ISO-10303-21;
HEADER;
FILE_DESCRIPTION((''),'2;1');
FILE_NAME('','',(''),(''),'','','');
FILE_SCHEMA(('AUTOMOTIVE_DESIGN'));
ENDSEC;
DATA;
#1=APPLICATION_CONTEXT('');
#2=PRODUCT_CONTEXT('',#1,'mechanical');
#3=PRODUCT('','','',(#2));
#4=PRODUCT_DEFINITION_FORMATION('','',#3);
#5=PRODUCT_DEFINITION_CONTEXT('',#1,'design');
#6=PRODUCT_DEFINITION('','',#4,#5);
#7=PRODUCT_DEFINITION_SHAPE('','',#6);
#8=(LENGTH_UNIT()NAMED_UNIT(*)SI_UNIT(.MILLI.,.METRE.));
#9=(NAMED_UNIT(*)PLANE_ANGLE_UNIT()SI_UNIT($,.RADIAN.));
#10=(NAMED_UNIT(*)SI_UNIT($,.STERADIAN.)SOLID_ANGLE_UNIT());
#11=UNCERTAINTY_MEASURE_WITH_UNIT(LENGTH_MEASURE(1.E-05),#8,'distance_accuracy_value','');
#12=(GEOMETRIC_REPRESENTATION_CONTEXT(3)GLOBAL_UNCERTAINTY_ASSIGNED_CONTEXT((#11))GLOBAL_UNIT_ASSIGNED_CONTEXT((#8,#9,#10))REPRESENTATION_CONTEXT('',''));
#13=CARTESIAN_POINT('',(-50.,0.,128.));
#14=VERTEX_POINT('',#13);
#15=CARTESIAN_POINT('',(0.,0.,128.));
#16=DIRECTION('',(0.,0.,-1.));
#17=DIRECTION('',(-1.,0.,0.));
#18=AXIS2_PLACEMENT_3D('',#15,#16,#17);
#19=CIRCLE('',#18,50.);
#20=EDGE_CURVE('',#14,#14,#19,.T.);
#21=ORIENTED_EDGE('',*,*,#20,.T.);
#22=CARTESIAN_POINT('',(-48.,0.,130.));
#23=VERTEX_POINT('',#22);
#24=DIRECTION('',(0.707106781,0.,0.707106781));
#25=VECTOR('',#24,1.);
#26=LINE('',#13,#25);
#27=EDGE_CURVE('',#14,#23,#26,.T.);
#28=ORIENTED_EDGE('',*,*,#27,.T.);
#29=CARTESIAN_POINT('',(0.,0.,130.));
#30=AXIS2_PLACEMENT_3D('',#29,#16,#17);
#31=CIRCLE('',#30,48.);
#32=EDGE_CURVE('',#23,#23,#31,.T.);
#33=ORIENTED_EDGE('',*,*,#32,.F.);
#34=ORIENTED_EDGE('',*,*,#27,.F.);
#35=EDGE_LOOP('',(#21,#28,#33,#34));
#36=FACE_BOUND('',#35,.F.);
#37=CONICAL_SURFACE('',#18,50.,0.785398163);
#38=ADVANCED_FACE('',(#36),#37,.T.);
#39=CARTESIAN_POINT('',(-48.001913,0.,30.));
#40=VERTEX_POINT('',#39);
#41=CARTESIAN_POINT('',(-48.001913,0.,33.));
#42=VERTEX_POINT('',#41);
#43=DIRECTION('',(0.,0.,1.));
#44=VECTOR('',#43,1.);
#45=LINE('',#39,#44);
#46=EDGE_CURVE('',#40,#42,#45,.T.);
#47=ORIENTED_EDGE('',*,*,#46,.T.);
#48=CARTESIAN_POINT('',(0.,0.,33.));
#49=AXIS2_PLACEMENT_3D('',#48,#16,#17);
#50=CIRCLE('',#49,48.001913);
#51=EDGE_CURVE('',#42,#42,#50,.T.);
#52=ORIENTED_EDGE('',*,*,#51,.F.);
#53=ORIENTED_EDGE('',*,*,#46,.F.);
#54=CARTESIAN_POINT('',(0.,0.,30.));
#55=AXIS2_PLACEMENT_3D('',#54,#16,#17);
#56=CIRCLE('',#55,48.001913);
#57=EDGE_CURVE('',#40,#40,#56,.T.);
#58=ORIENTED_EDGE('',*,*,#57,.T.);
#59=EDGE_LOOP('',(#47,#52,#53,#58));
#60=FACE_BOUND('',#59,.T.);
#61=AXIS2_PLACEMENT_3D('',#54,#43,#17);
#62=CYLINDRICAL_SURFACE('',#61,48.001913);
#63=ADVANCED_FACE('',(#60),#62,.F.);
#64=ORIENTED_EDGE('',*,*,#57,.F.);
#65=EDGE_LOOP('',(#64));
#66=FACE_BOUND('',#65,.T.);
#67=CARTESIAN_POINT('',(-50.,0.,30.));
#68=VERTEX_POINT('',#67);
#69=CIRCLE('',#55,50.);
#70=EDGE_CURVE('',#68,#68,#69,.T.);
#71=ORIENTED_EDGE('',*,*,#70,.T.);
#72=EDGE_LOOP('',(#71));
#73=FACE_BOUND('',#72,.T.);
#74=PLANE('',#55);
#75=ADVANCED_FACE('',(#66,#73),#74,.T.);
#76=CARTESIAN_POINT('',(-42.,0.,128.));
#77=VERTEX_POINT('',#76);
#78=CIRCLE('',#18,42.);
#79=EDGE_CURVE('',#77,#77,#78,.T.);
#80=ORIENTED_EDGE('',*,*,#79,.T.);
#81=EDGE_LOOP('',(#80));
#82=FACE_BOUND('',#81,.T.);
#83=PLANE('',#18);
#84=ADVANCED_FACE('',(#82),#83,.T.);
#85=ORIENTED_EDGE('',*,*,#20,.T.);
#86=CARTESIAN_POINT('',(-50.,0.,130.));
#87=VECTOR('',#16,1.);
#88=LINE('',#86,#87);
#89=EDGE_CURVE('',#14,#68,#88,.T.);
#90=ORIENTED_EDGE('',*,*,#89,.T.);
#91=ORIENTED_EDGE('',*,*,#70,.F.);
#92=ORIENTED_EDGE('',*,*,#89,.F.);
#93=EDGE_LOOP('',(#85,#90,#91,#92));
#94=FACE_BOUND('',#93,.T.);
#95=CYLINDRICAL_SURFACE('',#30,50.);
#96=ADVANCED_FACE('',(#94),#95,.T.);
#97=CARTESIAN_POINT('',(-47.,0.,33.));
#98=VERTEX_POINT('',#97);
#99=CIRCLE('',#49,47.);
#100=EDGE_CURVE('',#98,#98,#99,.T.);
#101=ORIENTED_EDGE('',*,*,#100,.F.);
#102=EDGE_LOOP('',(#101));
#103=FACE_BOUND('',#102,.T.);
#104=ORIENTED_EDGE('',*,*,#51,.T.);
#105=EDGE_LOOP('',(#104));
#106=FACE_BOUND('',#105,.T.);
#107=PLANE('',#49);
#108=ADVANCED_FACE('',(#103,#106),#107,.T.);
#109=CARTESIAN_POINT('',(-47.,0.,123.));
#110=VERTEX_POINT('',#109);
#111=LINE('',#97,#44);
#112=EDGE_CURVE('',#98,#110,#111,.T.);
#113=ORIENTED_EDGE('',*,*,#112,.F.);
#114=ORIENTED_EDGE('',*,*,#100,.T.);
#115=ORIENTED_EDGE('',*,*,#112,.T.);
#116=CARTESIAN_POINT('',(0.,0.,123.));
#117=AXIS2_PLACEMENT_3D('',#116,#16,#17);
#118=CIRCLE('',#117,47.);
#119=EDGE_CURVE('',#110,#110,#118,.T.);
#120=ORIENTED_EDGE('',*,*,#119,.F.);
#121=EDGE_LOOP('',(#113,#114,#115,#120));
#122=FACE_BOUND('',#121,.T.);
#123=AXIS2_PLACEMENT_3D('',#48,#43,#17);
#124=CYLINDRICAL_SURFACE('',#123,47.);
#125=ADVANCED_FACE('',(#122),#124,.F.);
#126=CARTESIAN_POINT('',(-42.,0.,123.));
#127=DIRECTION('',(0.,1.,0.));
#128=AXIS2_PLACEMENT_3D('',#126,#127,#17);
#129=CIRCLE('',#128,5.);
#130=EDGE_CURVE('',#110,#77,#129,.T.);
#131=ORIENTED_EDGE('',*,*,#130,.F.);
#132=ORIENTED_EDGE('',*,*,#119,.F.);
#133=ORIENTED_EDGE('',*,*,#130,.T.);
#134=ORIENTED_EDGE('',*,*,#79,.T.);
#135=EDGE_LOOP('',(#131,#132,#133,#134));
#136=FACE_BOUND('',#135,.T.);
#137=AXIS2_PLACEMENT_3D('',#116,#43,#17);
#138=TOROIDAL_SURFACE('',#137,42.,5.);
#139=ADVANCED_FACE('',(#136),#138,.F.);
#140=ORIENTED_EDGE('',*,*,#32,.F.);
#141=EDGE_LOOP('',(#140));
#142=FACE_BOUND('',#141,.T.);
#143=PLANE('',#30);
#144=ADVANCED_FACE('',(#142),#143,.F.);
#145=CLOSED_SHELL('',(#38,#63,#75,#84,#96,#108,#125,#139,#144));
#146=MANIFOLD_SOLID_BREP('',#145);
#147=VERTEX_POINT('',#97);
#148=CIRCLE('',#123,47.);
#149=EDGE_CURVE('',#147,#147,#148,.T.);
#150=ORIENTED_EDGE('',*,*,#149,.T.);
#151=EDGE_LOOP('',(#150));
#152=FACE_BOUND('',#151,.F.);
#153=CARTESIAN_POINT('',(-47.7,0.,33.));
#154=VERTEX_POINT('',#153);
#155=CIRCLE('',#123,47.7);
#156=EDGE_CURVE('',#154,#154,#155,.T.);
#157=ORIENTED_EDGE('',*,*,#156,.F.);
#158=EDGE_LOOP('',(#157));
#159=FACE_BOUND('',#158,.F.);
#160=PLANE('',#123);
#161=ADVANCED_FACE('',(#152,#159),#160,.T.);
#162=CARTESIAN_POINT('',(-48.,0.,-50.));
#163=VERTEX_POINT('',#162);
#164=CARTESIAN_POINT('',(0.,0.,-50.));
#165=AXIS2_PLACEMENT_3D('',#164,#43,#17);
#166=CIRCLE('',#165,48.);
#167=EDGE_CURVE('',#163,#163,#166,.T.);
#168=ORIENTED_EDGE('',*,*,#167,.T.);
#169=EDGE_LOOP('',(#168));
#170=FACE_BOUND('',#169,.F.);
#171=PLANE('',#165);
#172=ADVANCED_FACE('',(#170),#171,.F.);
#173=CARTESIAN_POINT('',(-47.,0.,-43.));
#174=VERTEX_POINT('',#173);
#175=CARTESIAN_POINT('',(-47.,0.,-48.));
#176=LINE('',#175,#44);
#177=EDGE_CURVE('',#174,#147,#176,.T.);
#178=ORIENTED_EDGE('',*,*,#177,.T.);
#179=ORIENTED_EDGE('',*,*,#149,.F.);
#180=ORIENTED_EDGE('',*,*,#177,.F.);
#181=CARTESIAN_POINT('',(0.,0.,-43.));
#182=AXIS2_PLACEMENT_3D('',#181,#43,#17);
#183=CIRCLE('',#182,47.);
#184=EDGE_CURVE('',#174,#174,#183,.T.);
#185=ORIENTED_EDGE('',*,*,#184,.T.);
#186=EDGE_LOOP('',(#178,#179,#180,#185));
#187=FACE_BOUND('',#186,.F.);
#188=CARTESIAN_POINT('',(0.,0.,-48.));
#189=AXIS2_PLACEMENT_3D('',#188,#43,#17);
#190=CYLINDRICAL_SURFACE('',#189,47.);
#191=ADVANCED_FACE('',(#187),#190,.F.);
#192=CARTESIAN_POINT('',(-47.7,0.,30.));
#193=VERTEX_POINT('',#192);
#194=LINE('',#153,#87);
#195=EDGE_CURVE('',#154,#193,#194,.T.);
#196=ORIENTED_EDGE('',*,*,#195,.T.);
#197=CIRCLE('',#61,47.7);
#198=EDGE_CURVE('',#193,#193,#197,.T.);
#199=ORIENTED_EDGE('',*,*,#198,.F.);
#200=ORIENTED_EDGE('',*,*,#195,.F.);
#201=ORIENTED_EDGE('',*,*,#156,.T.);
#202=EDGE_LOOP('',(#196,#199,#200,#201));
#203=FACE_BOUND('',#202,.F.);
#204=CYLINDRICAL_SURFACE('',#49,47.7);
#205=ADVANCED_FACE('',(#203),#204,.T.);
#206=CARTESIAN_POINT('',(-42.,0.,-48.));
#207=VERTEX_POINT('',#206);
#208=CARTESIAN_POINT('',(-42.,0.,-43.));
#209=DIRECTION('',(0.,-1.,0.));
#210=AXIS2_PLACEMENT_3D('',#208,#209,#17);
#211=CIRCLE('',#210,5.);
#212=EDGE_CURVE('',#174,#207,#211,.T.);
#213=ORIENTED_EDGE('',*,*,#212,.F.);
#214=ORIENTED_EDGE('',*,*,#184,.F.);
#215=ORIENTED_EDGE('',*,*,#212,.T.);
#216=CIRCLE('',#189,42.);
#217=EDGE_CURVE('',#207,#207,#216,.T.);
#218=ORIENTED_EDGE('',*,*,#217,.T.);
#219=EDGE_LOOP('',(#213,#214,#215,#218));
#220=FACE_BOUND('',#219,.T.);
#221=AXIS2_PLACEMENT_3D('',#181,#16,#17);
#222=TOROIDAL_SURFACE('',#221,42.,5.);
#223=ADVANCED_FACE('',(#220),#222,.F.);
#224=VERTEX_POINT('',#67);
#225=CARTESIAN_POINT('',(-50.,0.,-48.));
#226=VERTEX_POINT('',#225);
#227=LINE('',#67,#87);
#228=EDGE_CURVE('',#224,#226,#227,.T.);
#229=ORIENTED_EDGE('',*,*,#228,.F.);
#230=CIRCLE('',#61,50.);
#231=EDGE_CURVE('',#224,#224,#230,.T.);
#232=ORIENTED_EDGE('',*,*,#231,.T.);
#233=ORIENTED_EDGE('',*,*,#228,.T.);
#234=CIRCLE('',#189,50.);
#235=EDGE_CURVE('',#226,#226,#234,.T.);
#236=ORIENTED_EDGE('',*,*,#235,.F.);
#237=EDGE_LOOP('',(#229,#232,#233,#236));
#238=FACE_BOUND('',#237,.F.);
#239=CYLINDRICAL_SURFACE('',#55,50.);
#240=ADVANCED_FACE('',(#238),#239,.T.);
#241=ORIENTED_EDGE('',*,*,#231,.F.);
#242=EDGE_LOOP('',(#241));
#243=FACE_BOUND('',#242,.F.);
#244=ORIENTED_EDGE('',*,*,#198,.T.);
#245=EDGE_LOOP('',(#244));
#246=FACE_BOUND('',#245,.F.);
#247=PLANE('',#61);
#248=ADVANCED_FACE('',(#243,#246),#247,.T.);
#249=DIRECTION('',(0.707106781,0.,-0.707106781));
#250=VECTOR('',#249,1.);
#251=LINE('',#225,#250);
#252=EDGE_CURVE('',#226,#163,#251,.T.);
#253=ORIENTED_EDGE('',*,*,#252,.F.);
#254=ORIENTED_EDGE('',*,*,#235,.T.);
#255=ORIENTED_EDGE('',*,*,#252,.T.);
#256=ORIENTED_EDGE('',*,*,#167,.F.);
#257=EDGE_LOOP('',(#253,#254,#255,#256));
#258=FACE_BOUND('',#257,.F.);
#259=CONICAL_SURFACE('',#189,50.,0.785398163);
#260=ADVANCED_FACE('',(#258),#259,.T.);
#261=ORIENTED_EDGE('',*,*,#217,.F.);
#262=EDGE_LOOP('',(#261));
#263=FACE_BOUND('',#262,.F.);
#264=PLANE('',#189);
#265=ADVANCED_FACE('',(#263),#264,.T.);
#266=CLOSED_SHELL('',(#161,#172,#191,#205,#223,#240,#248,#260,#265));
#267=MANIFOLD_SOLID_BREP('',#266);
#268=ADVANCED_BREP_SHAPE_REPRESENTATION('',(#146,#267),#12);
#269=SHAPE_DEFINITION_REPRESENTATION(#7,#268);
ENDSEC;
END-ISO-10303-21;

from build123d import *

# Parameters (mm, degrees)
F0_W    = 3
F0_H    = 2
F0_W_2  = 47
F4_SIZE = 2
F5_R    = 5
F6_SIZE = 2
F7_R    = 5


with BuildPart() as f1:
    # F0 (on Front) → F1 (revolve)
    with BuildSketch(Plane.XZ):
        with Locations((-48.5, 129)):
            Rectangle(F0_W, F0_H)
        Polygon((-47, 128), (-50, 128), (-50, 30), (-48.001913, 30), (-48.001913, 33), (-47, 33), align=None)
        with Locations((-23.5, 129)):
            Rectangle(F0_W_2, F0_H)
    revolve(axis=Axis((0, 0, 129), (0, 0, -1)))

    # F6
    f6_edges = [f1.edges().sort_by_distance(p)[0] for p in [
        (50, 0, 130),
    ]]
    chamfer(f6_edges, length=F6_SIZE)

    # F7
    f7_edges = [f1.edges().sort_by_distance(p)[0] for p in [
        (47, 0, 128),
    ]]
    fillet(f7_edges, radius=F7_R)


with BuildPart() as f3:
    # F2 (on Front) → F3 (revolve)
    with BuildSketch(Plane.XZ):
        Polygon((-47.7, 33), (-47.7, 30), (-50, 30), (-50, -50), (-47, -50), (0, -50), (0, -48), (-47, -48), (-47, 33), align=None)
    revolve(axis=Axis((0, 0, -49), (0, 0, 1)))

    # F4
    f4_edges = [f3.edges().sort_by_distance(p)[0] for p in [
        (50, 0, -50),
    ]]
    chamfer(f4_edges, length=F4_SIZE)

    # F5
    f5_edges = [f3.edges().sort_by_distance(p)[0] for p in [
        (47, 0, -48),
    ]]
    fillet(f5_edges, radius=F5_R)


solid = Compound([f1.part, f3.part])
